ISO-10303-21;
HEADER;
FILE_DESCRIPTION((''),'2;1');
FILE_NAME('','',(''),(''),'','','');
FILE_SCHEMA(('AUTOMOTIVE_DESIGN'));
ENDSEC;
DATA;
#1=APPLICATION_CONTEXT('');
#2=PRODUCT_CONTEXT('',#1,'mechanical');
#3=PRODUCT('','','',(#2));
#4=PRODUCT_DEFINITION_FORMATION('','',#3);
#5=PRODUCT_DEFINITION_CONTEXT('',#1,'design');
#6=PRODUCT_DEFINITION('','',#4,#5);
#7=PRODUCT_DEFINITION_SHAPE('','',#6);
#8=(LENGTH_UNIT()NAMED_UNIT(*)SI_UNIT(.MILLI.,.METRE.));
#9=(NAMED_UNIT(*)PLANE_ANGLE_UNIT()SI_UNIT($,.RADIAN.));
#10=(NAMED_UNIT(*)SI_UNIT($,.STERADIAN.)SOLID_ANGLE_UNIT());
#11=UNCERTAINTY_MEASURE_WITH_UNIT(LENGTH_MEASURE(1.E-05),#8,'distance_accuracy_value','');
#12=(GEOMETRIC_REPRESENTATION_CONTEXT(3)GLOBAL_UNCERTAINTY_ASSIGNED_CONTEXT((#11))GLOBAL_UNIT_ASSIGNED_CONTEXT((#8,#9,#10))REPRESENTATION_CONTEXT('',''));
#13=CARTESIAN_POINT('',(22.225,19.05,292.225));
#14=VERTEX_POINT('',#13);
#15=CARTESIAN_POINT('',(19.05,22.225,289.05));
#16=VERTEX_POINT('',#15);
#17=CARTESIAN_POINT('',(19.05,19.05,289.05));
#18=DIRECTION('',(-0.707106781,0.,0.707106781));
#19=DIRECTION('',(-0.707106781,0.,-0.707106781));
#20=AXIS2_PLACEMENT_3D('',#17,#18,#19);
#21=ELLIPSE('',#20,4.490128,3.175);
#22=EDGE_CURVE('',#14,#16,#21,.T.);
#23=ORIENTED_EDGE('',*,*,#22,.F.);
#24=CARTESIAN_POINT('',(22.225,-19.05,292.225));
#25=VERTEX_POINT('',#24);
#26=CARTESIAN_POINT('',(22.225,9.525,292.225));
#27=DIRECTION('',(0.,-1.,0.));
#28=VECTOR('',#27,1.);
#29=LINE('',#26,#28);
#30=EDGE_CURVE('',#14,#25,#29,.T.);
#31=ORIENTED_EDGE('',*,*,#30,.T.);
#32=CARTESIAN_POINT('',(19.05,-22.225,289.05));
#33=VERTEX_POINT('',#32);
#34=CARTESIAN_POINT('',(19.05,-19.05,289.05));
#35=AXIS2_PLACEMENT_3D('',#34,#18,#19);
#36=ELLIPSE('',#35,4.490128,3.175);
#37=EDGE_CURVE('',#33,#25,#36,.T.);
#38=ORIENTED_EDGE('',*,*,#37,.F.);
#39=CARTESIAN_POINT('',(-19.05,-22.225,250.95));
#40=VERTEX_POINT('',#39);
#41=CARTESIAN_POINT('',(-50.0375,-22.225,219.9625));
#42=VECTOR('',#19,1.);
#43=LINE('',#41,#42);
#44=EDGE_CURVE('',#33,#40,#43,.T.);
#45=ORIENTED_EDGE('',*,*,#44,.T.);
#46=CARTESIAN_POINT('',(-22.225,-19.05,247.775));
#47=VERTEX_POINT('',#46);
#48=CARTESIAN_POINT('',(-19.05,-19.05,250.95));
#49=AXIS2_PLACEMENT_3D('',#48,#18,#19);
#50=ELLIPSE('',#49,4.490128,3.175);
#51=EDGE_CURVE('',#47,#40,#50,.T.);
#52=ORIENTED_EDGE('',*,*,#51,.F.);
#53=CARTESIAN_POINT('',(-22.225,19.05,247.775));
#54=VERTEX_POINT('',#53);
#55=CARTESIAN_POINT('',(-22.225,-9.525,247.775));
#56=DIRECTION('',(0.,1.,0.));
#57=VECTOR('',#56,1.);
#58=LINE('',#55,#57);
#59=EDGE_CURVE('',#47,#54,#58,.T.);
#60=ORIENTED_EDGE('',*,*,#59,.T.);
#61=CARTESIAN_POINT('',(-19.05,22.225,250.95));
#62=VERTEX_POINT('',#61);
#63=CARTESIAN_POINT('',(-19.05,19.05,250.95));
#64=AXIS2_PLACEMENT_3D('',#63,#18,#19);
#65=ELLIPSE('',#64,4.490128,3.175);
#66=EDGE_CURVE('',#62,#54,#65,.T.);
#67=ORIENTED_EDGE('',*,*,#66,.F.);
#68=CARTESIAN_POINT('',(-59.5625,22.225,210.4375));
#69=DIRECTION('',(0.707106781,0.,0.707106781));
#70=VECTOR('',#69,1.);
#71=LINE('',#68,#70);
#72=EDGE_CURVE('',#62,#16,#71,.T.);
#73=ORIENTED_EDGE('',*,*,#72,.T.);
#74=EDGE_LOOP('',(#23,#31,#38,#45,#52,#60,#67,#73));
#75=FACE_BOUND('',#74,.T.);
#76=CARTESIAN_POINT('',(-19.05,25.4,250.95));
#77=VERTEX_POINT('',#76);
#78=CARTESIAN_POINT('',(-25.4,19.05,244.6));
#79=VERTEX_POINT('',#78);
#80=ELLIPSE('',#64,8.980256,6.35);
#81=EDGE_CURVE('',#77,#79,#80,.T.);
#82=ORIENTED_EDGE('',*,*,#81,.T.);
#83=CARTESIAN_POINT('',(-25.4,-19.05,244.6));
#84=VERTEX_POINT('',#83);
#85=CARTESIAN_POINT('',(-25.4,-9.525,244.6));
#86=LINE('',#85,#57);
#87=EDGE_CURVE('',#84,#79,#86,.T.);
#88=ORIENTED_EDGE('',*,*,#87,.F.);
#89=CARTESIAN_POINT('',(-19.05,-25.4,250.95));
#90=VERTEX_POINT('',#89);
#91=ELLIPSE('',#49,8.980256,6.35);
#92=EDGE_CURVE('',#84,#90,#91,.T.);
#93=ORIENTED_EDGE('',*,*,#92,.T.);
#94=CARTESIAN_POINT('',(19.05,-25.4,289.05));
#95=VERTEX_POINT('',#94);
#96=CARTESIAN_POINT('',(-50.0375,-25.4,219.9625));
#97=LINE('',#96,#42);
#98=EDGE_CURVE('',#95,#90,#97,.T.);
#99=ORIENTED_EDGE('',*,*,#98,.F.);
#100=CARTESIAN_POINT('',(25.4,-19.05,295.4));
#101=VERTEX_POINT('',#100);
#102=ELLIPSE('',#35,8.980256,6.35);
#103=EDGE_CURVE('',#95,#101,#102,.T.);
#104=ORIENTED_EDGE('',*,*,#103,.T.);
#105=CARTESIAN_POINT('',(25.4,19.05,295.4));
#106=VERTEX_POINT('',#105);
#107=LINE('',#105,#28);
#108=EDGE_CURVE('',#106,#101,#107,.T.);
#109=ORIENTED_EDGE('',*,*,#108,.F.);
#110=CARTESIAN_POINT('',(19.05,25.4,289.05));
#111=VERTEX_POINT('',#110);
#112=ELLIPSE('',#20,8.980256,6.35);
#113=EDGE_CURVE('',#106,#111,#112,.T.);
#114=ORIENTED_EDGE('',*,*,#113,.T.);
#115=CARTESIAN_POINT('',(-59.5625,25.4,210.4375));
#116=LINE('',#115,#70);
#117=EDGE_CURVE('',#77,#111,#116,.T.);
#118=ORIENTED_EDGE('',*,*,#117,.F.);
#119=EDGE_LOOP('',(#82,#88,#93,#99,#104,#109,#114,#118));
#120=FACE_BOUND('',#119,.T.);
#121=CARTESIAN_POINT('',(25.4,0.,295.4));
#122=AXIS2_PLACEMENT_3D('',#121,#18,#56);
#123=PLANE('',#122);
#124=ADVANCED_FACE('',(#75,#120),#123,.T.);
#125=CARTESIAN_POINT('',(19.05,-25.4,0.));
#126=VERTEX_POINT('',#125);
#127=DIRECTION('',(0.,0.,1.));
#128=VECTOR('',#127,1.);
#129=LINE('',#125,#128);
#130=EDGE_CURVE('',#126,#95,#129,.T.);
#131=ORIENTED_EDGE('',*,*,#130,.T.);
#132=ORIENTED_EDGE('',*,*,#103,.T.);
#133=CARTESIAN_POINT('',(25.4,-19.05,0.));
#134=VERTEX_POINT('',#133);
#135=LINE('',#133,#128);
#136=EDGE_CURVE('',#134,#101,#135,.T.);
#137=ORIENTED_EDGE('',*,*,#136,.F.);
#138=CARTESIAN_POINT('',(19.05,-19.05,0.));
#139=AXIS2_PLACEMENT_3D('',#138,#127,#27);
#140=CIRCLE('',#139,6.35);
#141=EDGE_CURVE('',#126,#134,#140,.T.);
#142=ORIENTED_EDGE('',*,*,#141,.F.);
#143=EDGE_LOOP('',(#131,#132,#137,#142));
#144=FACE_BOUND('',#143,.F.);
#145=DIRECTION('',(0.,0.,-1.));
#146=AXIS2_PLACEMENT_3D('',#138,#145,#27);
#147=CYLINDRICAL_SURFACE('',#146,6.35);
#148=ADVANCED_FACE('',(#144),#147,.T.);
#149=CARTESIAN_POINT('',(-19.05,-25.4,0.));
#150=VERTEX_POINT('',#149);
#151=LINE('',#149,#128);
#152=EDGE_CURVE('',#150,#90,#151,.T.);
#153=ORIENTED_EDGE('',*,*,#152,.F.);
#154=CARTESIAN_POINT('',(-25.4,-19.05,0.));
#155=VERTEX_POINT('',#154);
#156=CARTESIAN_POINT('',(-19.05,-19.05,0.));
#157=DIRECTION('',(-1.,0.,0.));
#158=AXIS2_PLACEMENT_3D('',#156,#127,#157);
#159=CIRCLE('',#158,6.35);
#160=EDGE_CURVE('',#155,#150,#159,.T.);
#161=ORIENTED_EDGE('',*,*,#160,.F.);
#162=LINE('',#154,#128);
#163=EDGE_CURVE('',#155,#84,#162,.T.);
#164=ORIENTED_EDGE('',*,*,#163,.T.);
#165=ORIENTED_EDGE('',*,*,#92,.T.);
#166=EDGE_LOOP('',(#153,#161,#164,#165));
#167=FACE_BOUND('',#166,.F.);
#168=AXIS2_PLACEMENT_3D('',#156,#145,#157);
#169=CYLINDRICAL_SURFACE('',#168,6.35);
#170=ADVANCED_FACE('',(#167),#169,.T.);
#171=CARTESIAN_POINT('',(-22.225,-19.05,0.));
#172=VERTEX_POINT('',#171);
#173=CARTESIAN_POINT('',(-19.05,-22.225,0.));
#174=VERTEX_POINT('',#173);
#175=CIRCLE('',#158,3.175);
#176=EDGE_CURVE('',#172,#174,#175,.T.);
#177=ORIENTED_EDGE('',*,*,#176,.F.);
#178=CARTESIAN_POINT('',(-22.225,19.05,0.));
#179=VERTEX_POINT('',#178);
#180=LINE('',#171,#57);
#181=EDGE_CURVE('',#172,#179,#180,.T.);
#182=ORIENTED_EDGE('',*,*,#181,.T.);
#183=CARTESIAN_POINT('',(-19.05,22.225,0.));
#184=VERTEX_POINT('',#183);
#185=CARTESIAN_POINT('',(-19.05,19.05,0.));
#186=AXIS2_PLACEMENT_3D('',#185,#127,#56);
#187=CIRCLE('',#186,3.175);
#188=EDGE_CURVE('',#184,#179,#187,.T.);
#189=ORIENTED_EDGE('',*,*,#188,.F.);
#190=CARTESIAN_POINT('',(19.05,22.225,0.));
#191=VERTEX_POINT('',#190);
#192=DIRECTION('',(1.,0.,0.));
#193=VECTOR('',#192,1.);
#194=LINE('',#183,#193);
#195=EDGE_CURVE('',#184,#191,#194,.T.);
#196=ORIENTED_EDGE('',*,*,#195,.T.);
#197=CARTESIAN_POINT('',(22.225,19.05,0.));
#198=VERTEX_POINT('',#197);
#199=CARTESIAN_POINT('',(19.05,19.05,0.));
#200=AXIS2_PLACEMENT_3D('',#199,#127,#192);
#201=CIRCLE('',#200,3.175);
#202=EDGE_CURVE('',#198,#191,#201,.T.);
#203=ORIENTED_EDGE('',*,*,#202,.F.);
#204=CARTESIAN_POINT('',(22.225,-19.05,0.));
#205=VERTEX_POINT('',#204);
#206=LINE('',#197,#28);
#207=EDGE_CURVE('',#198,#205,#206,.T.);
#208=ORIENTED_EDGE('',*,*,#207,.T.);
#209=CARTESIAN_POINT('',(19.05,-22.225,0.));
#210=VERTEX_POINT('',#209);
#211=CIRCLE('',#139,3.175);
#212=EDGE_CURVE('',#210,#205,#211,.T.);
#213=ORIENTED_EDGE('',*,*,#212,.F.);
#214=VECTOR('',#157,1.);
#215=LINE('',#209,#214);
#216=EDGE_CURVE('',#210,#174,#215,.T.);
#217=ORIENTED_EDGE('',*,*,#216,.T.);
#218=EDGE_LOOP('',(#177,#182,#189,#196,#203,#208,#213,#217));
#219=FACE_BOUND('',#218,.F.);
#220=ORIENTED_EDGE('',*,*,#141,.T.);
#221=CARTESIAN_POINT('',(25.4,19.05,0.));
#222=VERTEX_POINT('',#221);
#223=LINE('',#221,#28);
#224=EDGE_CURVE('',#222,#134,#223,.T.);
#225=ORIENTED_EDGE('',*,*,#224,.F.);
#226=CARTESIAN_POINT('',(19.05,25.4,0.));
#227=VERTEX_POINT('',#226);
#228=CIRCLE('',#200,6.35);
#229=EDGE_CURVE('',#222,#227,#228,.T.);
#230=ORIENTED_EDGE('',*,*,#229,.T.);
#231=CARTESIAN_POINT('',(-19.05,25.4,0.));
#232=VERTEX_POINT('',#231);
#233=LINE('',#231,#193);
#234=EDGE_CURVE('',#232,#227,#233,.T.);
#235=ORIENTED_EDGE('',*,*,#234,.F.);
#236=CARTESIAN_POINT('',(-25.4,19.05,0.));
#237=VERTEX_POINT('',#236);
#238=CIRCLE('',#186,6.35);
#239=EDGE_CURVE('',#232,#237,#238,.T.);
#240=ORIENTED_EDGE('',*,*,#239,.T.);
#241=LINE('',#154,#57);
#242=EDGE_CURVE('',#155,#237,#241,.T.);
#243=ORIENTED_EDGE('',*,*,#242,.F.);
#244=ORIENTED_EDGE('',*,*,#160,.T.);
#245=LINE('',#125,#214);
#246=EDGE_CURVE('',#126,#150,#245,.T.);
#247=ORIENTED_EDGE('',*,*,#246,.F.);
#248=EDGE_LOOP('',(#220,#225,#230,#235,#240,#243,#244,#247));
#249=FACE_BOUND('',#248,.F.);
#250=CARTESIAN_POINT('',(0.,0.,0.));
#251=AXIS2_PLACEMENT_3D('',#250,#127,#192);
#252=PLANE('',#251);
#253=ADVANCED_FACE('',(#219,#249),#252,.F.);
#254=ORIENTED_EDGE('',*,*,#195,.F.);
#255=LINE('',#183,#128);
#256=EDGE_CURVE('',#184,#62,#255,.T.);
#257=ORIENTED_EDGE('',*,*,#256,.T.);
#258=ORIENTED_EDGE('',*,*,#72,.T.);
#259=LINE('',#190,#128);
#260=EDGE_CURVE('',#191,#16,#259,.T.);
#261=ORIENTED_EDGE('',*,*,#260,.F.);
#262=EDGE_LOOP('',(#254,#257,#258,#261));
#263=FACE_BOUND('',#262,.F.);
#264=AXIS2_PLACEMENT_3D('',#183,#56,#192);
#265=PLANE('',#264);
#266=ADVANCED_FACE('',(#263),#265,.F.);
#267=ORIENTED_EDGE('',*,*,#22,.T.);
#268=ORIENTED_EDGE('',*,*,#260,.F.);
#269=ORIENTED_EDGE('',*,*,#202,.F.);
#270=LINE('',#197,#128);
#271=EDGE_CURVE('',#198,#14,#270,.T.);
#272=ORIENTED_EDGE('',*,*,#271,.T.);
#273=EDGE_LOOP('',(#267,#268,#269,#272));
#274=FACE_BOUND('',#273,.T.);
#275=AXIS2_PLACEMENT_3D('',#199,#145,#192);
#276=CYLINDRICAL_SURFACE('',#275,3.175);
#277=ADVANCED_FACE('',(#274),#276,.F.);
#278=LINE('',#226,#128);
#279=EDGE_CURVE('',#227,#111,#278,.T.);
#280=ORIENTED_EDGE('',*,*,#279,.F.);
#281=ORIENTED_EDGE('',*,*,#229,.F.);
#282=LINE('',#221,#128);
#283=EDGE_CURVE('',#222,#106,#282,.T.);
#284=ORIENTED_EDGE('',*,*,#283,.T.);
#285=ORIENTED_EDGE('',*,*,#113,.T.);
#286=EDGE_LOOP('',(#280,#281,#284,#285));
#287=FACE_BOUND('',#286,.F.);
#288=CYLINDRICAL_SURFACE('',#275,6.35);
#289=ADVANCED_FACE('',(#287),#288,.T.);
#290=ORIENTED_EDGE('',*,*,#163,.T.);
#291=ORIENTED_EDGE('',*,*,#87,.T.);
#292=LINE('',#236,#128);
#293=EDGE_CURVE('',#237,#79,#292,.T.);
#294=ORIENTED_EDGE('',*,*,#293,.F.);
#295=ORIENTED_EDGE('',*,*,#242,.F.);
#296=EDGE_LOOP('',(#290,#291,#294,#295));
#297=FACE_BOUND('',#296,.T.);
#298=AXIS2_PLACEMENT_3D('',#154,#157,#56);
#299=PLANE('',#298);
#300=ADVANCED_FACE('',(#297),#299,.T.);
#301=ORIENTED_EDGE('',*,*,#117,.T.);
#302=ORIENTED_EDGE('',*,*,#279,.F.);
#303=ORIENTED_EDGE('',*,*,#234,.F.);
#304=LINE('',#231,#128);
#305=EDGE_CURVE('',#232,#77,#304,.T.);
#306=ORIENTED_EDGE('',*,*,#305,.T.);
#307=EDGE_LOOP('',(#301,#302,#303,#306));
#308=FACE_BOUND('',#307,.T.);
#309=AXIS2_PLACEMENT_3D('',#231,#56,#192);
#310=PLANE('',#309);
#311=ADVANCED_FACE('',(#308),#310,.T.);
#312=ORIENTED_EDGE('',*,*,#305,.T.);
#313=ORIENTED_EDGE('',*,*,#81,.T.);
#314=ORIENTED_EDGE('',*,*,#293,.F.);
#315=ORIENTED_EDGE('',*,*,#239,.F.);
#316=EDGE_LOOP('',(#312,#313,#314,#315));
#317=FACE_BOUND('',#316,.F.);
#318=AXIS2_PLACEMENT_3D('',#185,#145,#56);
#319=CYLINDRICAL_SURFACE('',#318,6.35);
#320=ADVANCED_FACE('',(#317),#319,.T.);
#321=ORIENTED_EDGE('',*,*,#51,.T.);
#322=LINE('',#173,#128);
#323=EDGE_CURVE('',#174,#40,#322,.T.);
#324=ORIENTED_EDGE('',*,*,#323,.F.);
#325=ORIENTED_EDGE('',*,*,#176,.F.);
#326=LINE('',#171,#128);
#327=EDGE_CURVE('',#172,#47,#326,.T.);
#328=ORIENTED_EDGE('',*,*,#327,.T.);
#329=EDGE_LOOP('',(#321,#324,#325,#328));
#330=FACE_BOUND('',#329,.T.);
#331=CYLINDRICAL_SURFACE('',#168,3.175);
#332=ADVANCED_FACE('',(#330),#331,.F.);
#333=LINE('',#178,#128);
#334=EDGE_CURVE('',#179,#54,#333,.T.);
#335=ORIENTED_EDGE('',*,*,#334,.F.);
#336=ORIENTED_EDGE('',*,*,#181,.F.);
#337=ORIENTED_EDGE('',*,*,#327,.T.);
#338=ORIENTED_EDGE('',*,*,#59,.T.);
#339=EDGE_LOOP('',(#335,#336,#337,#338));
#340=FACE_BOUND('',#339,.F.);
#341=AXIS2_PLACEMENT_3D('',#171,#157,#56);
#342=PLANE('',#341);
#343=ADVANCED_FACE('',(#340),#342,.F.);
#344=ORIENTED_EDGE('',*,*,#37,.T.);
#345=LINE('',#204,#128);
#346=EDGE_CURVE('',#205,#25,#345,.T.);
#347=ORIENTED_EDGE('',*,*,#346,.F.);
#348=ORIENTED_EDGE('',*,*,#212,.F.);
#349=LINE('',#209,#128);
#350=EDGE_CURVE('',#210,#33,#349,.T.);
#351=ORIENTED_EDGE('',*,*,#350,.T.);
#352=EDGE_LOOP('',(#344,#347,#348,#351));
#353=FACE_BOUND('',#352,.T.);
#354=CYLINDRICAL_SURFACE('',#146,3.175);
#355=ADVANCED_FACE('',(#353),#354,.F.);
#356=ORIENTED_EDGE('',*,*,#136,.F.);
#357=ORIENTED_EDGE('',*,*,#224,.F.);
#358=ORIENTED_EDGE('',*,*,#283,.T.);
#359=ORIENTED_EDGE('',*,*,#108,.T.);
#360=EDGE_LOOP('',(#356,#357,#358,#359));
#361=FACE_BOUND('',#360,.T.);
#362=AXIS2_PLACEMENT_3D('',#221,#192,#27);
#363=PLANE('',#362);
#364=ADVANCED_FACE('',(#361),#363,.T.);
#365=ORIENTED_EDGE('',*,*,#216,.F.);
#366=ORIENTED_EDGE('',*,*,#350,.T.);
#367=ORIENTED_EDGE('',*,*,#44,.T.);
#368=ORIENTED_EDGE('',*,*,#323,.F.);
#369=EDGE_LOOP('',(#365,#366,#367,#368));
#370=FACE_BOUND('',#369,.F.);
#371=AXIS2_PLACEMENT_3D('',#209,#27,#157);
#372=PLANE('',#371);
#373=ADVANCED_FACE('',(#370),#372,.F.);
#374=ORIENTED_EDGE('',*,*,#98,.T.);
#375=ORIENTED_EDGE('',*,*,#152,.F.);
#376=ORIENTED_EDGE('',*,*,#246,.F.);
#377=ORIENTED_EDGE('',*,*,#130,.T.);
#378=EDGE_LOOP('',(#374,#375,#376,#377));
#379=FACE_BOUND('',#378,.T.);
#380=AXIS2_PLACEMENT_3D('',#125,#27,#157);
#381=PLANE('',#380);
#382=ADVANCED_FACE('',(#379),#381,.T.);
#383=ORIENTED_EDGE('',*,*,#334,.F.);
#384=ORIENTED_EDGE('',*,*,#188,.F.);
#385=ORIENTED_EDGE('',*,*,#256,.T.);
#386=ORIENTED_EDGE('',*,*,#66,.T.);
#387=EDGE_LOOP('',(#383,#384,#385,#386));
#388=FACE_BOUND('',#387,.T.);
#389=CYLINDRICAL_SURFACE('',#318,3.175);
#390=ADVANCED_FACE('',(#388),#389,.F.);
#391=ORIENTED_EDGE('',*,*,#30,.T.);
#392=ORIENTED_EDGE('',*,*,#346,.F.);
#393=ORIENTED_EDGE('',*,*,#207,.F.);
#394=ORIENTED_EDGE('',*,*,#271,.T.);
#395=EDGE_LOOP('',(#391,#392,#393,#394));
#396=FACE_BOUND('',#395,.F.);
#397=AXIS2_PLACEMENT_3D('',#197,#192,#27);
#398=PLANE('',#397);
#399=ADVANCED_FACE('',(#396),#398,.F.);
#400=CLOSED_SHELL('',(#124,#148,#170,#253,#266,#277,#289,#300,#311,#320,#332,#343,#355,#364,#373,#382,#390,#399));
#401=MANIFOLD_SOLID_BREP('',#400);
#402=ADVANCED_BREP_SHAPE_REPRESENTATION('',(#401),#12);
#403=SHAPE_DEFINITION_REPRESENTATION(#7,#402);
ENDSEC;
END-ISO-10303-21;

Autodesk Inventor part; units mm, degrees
ref_plane "Plano inicial" through (0, 0, 0) normal (0, 0, 1) x (1, 0, 0)
ref_plane "Plano final" through (0, 0, 295.4) normal (0, 0, 1) x (1, 0, 0)
sketch "Boceto" plane through (0, 0, 0) normal (0, 0, 1) x (1, 0, 0)
  line L0 (-25.4, -19.05) -> (-25.4, 19.05)
  line L1 (-19.05, 25.4) -> (19.05, 25.4)
  line L2 (25.4, 19.05) -> (25.4, -19.05)
  line L3 (19.05, -25.4) -> (-19.05, -25.4)
  arc A0 (-25.4, -19.05) -> (-19.05, -25.4) centre (-19.05, -19.05) ccw
  arc A1 (-19.05, 25.4) -> (-25.4, 19.05) centre (-19.05, 19.05) ccw
  arc A2 (25.4, 19.05) -> (19.05, 25.4) centre (19.05, 19.05) ccw
  arc A3 (19.05, -25.4) -> (25.4, -19.05) centre (19.05, -19.05) ccw
  arc A4 (-19.05, 22.225) -> (-22.225, 19.05) centre (-19.05, 19.05) ccw
  line L4 (-19.05, 22.225) -> (19.05, 22.225)
  arc A5 (22.225, 19.05) -> (19.05, 22.225) centre (19.05, 19.05) ccw
  line L5 (22.225, 19.05) -> (22.225, -19.05)
  arc A6 (19.05, -22.225) -> (22.225, -19.05) centre (19.05, -19.05) ccw
  line L6 (19.05, -22.225) -> (-19.05, -22.225)
  arc A7 (-22.225, -19.05) -> (-19.05, -22.225) centre (-19.05, -19.05) ccw
  line L7 (-22.225, -19.05) -> (-22.225, 19.05)
  line L8 (0, 37.4012) -> (0, -37.4012) construction
  line L9 (-37.4012, 0) -> (37.4012, 0) construction
  dimension "d10" = 50.8
  dimension "d11" = 50.8
  dimension "d12" = 3.175
  dimension "d15" = 25.4
  dimension "d16" = 25.4
  dimension "d17" = 6.35
extrude "Cuerpo" add sketch "Boceto" along normal up to surface (295.4 mm away) from surface at 0
sketch "Sketch3" plane through (0, 0, 0) normal (0, 0, 1) x (1, 0, 0)
  line L0 (0, 0) -> (10, 0)
ref_plane "Work Plane3" through (0, 0, 0) normal (0, -1, 0) x (1, 0, 0)
ref_plane "Plano de trabajo4" through (25.4, 0, 295.4) normal (-0.7071, 0, 0.7071) x (0.7071, 0, 0.7071)
split "Dividir1" plane through (25.4, 0, 295.4) removes the side toward (-0.7071, 0, 0.7071)
sketch "Sketch4" plane through (0, 0, 0) normal (0, -1, 0) x (1, 0, 0)
  line L0 (-2, 0) -> (12, 0) projected
  line L1 (-2, 295.4) -> (12, 295.4) projected
  dimension "d19" = 295.4
equation "\"d10\" = G_H"
equation "\"d11\" = G_W"
equation "\"d12\" = G_T"
equation "\"d15\" = 0.5 * d10"
equation "\"d16\" = 0.5 * d11"
equation "\"d17\" = G_IR"
equation "\"d3\" = G_L"
equation "\"G_W\" = 50.8"
equation "\"G_H\" = 50.8"
equation "\"G_T\" = 3.175"
equation "\"G_IR\" = 6.35"
equation "\"G_L\" = d19"
equation "\"G_OFFSET_START\" = 0"
equation "\"G_OFFSET_END\" = 25.4"
equation "\"d14\" = G_OFFSET_END + B_L"
equation "\"B_L\" = 270"
properties part number "AISC - 2 x 2 x 1/8 - 11,63" material "Acero, suave"
